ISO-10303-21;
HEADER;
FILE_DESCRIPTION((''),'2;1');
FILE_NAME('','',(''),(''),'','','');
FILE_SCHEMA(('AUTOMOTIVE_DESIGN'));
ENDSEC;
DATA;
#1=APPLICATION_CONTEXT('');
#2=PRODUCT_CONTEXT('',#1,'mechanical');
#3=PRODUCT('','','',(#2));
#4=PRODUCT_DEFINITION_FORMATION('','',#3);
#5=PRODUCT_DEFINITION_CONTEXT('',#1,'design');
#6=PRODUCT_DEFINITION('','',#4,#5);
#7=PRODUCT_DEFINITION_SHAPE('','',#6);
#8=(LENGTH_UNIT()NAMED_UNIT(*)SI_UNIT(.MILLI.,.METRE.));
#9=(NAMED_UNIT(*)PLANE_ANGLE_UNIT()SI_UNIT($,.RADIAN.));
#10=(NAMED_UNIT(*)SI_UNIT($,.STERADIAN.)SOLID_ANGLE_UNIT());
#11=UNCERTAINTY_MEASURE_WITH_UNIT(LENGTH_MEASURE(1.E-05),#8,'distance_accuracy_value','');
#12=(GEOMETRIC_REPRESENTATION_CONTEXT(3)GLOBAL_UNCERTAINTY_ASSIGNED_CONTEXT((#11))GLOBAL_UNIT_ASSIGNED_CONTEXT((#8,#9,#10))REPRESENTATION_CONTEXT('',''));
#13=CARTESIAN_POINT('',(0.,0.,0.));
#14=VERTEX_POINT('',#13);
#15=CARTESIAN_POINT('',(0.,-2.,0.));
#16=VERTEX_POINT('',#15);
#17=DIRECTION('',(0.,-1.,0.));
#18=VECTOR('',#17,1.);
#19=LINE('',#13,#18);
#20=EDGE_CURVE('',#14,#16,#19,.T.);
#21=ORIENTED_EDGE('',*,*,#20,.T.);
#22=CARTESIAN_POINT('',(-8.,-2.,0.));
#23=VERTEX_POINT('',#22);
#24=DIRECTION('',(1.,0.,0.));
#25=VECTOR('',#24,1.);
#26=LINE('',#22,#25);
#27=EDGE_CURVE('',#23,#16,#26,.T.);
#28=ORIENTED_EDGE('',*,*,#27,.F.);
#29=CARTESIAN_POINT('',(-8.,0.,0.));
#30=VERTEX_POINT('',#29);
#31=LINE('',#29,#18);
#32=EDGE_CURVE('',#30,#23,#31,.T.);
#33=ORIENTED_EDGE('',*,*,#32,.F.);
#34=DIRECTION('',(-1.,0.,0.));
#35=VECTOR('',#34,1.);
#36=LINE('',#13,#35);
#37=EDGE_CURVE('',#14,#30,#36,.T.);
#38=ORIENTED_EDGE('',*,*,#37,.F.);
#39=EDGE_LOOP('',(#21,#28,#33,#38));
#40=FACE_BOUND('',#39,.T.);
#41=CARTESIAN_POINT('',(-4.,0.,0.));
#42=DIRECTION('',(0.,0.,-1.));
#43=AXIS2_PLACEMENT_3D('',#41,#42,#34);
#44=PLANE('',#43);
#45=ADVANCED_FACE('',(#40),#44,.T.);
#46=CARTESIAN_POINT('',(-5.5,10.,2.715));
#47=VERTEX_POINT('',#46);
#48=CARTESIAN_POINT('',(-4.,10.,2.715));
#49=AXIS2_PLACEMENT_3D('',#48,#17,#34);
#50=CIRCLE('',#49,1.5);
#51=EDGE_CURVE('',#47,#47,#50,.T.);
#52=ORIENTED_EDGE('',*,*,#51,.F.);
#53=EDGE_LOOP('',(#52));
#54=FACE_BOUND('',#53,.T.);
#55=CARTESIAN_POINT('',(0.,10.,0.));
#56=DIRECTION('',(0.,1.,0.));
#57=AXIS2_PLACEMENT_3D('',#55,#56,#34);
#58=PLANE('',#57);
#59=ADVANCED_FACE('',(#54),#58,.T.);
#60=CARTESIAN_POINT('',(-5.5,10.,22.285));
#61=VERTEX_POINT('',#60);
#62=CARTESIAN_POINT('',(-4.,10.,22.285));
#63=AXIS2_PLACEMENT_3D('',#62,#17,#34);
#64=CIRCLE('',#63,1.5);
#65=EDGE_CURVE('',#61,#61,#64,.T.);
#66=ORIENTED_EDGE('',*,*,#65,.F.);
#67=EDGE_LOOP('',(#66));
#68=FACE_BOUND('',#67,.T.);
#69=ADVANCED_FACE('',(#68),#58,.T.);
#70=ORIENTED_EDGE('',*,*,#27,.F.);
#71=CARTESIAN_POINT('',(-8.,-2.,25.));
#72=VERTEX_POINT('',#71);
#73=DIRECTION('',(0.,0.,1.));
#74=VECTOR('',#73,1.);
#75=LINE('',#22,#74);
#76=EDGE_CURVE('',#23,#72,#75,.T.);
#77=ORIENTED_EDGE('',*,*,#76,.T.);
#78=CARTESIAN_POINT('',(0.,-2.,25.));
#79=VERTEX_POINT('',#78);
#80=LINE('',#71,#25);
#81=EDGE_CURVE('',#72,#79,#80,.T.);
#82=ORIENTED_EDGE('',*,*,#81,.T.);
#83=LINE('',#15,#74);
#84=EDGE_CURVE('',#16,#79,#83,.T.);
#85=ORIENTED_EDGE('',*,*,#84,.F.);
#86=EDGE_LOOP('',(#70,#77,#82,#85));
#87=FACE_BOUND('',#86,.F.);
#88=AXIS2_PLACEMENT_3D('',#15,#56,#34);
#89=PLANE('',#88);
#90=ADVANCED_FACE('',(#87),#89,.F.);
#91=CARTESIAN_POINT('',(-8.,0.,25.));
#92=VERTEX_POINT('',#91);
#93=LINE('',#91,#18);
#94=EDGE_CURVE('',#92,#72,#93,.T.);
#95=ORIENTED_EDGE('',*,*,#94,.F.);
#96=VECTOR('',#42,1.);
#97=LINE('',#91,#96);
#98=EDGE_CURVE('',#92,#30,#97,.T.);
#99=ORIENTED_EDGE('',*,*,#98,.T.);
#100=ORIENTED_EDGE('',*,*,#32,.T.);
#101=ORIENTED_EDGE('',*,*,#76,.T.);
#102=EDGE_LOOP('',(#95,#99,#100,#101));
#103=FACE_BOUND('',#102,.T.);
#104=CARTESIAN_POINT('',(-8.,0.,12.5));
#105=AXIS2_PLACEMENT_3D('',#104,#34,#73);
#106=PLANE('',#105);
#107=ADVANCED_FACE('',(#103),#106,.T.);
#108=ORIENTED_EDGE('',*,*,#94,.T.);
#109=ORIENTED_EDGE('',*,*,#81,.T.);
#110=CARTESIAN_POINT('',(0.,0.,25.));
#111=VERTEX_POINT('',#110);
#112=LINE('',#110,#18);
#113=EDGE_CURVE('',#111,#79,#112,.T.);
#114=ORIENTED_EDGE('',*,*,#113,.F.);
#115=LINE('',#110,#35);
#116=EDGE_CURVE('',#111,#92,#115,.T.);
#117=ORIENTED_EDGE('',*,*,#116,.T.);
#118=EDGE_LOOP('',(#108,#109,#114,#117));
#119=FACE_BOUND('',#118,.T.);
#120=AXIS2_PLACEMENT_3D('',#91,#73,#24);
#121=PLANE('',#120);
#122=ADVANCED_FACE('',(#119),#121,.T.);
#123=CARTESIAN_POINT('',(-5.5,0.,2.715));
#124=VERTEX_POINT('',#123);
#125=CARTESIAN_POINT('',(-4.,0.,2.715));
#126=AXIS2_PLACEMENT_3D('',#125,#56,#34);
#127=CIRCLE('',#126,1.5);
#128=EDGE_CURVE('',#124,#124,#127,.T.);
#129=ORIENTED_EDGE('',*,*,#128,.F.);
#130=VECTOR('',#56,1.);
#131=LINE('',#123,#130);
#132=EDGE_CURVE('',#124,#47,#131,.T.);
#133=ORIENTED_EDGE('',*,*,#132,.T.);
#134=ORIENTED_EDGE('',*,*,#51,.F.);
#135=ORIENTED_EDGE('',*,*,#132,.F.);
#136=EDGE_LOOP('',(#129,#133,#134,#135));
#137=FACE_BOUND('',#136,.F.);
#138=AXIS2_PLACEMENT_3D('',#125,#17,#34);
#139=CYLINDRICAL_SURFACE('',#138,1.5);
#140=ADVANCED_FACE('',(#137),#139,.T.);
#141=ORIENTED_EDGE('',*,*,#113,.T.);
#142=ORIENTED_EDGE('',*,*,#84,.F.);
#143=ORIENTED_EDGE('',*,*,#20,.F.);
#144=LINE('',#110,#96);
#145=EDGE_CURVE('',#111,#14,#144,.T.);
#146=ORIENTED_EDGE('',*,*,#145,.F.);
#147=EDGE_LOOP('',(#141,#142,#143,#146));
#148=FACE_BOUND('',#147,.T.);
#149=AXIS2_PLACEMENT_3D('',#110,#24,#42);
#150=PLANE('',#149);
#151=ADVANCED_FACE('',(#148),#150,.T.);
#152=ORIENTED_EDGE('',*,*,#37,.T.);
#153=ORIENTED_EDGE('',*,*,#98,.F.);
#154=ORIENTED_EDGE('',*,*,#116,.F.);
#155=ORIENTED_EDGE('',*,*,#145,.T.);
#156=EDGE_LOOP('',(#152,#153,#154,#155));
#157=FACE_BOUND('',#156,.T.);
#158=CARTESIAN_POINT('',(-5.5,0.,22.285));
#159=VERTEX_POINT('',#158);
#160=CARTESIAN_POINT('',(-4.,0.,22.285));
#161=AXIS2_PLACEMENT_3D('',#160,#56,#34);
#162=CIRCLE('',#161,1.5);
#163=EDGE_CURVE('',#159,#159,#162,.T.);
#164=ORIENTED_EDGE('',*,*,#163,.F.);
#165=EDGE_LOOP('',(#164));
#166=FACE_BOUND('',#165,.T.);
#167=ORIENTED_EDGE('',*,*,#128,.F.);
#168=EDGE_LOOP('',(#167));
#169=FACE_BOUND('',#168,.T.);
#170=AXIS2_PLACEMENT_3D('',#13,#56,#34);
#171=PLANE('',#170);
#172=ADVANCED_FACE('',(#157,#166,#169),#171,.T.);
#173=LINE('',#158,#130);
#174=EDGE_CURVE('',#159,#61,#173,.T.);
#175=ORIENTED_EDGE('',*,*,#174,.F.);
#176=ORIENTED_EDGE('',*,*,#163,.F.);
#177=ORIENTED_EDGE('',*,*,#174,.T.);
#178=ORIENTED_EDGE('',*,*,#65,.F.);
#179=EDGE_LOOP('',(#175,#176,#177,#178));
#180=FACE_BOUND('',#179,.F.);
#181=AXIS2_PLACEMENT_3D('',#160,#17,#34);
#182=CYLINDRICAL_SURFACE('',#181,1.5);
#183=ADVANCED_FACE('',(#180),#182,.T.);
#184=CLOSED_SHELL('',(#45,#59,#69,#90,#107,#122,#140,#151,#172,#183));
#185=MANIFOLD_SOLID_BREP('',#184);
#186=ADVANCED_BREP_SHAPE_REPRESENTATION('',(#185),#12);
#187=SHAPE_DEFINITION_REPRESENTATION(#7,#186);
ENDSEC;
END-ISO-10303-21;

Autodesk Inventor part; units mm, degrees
ref_plane "YZ Plane" through (0, 0, 0) normal (1, 0, 0) x (0, 1, 0)
ref_plane "XZ Plane" through (0, 0, 0) normal (0, 1, 0) x (-1, 0, 0)
ref_plane "XY Plane" through (0, 0, 0) normal (0, 0, 1) x (1, 0, 0)
sketch "草图1" plane through (0, 0, 0) normal (0, 1, 0) x (-1, 0, 0)
  line L0 (8, 25) -> (0, 25)
  line L1 (0, 25) -> (0, 0)
  line L2 (0, 0) -> (8, 0)
  line L3 (8, 0) -> (8, 25)
  circle A0 centre (4, 22.285) radius 1.5
  line L4 (8, 12.5) -> (0, 12.5)
  line L5 (4, 25) -> (4, 0)
  circle A1 centre (4, 2.715) radius 1.5
  dimension "d0" = 25
  dimension "d1" = 8
  dimension "d2" = 3
  dimension "d6" = 19.57
extrude "拉伸1" add sketch "草图1" along normal blind 10 contours L5 A0 | A0 L5 | A1 L5 | L5 A1
extrude "拉伸2" add sketch "草图1" against normal blind 2
properties part number "锁销" material "水"
